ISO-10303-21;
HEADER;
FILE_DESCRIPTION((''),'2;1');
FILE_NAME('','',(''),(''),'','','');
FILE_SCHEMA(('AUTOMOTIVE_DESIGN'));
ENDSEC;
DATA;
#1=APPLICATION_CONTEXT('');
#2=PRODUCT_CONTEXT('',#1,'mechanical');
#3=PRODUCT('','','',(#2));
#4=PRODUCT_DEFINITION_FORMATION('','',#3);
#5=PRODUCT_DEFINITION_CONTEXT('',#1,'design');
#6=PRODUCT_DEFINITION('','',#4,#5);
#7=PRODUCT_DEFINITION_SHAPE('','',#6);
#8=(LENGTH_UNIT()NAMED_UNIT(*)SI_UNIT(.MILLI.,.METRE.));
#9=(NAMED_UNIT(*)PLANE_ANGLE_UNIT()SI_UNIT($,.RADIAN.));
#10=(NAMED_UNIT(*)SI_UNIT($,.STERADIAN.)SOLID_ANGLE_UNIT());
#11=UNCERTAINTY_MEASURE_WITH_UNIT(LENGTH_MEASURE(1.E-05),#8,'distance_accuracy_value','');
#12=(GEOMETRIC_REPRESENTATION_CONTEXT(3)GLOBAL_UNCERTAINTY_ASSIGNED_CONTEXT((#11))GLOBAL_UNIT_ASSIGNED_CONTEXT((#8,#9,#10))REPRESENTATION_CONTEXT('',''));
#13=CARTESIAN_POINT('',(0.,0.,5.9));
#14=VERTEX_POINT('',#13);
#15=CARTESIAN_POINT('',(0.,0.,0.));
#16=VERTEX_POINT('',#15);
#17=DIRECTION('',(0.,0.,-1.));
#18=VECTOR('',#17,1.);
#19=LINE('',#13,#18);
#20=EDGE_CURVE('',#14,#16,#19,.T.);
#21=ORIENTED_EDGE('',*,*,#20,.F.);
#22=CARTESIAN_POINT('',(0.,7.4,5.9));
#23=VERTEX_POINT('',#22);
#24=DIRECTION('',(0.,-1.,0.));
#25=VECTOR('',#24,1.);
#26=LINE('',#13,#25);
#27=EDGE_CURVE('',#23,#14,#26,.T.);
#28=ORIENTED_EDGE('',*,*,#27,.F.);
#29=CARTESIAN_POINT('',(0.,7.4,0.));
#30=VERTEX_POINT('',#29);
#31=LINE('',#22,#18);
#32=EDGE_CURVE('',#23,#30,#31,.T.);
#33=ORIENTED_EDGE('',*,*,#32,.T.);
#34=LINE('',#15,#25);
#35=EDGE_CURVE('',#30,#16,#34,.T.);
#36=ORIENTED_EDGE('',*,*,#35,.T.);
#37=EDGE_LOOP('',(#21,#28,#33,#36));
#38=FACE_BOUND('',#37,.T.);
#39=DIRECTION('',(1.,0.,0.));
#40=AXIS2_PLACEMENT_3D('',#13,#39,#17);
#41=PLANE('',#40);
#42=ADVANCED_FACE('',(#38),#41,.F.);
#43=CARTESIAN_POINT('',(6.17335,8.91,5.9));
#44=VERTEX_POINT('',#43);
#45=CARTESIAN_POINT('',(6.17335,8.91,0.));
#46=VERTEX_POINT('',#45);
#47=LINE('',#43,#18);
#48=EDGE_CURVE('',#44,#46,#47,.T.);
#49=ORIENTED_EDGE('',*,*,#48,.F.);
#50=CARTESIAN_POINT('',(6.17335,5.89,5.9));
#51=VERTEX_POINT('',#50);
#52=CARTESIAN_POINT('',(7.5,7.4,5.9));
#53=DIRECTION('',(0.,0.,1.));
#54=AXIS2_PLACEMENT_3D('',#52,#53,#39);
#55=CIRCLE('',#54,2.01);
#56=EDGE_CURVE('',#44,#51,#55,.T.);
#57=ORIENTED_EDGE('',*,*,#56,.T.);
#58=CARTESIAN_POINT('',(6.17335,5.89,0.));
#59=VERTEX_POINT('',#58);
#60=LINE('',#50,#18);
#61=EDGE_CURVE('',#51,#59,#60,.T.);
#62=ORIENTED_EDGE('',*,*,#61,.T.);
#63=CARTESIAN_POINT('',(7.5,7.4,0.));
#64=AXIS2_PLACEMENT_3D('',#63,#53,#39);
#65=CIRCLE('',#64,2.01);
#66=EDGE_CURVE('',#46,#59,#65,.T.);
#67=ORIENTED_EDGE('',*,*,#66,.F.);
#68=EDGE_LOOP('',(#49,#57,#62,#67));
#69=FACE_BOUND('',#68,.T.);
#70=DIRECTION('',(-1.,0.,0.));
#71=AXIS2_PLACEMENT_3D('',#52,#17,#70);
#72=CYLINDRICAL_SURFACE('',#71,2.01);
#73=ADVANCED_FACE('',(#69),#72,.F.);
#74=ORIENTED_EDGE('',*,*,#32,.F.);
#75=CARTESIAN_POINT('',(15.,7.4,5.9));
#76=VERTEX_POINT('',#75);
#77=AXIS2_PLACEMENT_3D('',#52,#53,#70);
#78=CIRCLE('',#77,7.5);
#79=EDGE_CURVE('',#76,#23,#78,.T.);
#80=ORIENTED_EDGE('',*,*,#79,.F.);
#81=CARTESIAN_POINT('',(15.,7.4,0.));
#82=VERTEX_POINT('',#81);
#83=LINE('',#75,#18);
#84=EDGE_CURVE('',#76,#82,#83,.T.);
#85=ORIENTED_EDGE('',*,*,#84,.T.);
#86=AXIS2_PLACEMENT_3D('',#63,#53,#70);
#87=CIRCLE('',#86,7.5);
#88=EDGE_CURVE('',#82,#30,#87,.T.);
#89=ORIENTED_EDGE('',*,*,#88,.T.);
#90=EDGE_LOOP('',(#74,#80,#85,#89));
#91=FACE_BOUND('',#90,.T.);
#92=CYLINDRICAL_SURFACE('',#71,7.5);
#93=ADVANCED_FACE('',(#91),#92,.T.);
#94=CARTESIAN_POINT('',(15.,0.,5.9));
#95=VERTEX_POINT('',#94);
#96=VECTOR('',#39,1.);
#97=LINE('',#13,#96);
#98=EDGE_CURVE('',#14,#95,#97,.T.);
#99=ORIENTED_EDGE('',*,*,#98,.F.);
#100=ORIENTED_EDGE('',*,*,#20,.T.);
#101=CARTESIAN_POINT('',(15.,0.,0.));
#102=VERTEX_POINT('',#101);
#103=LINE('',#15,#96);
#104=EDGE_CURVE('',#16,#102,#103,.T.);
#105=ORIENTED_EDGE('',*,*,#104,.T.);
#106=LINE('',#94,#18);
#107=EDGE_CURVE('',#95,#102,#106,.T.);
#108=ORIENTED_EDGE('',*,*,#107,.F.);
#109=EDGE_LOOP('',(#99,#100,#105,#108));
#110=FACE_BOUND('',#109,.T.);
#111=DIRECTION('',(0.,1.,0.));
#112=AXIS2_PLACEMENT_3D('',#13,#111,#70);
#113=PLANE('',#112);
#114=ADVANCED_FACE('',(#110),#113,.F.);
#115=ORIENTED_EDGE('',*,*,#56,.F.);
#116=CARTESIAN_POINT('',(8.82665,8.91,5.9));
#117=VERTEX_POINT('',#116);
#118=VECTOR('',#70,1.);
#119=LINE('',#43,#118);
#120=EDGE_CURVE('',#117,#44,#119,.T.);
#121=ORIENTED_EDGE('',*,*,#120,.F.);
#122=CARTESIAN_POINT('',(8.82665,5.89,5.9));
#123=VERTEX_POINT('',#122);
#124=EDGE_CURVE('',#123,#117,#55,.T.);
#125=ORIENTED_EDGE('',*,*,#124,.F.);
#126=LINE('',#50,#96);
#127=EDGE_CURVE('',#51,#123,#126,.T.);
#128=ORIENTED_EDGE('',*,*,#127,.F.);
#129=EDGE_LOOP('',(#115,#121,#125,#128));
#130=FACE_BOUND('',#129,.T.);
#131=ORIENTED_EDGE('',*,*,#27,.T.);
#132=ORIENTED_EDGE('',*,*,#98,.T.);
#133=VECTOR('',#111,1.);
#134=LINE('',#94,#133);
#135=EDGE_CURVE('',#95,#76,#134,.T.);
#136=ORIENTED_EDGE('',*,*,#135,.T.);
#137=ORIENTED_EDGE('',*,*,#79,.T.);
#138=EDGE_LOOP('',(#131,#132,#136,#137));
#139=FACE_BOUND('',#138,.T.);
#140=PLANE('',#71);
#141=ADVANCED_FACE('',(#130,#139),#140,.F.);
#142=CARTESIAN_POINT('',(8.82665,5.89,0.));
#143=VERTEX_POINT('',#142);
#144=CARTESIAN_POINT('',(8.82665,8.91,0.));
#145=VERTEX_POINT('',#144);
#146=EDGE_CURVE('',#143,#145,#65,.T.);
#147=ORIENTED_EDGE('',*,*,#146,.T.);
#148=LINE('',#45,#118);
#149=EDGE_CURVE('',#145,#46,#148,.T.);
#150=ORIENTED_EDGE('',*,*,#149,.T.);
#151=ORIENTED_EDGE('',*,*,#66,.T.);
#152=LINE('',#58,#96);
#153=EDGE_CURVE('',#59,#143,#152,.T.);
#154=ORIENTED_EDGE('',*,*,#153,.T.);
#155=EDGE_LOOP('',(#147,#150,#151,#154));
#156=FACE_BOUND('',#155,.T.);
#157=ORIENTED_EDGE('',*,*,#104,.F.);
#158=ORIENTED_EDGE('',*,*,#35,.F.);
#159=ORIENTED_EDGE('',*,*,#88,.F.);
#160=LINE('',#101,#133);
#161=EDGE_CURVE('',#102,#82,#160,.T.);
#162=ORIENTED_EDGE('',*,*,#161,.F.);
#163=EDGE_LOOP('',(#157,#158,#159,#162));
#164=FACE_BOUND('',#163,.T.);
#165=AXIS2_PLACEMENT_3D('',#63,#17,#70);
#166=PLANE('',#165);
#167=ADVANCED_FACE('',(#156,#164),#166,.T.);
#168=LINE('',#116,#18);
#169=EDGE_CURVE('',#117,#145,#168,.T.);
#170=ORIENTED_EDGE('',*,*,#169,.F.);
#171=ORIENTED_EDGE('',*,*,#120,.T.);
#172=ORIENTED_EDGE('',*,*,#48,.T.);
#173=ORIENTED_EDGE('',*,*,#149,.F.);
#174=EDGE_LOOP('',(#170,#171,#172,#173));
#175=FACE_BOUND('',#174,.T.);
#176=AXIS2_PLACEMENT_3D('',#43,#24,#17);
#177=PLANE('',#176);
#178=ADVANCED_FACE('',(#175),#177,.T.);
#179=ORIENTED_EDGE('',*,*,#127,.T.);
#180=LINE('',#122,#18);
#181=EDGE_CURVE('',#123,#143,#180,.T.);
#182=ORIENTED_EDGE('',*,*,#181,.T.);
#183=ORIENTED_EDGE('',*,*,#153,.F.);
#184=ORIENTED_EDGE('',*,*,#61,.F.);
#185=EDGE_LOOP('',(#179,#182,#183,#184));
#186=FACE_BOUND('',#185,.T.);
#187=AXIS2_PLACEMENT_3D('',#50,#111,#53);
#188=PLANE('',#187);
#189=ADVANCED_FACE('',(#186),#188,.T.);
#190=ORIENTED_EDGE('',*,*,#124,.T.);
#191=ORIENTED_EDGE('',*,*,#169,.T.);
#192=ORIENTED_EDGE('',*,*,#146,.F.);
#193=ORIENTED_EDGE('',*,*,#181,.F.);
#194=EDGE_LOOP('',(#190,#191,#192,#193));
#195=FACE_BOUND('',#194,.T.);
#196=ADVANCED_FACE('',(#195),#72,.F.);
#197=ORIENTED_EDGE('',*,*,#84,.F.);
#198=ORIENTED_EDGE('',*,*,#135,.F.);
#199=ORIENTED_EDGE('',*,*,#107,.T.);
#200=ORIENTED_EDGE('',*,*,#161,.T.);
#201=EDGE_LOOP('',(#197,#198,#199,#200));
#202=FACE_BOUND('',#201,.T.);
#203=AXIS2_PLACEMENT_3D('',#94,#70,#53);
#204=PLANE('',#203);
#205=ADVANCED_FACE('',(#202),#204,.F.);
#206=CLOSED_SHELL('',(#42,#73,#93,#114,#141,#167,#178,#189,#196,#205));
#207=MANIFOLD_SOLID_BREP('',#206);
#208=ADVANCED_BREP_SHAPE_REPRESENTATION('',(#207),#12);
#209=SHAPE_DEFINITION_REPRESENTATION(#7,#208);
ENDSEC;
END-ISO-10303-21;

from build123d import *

# Parameters (mm, degrees)
EXTRUSION1_DEPTH = 5.9


with BuildPart() as part:
    # Esquisse1 → Extrusion1 (new body)
    with BuildSketch(Plane.XY):
        with BuildLine():
            Line((0, 0), (15, 0))
            Line((15, 0), (15, 7.4))
            ThreePointArc((15, 7.4), (7.5, 14.9), (0, 7.4))
            Line((0, 7.4), (0, 0))
        make_face()
        with BuildLine():
            Line((6.173350084, 8.91), (8.826649916, 8.91))
            ThreePointArc((8.826649916, 8.91), (9.51, 7.4), (8.826649916, 5.89))
            Line((8.826649916, 5.89), (6.173350084, 5.89))
            ThreePointArc((6.173350084, 5.89), (5.49, 7.4), (6.173350084, 8.91))
        make_face(mode=Mode.SUBTRACT)
    extrude(amount=EXTRUSION1_DEPTH)


solid = part.part
